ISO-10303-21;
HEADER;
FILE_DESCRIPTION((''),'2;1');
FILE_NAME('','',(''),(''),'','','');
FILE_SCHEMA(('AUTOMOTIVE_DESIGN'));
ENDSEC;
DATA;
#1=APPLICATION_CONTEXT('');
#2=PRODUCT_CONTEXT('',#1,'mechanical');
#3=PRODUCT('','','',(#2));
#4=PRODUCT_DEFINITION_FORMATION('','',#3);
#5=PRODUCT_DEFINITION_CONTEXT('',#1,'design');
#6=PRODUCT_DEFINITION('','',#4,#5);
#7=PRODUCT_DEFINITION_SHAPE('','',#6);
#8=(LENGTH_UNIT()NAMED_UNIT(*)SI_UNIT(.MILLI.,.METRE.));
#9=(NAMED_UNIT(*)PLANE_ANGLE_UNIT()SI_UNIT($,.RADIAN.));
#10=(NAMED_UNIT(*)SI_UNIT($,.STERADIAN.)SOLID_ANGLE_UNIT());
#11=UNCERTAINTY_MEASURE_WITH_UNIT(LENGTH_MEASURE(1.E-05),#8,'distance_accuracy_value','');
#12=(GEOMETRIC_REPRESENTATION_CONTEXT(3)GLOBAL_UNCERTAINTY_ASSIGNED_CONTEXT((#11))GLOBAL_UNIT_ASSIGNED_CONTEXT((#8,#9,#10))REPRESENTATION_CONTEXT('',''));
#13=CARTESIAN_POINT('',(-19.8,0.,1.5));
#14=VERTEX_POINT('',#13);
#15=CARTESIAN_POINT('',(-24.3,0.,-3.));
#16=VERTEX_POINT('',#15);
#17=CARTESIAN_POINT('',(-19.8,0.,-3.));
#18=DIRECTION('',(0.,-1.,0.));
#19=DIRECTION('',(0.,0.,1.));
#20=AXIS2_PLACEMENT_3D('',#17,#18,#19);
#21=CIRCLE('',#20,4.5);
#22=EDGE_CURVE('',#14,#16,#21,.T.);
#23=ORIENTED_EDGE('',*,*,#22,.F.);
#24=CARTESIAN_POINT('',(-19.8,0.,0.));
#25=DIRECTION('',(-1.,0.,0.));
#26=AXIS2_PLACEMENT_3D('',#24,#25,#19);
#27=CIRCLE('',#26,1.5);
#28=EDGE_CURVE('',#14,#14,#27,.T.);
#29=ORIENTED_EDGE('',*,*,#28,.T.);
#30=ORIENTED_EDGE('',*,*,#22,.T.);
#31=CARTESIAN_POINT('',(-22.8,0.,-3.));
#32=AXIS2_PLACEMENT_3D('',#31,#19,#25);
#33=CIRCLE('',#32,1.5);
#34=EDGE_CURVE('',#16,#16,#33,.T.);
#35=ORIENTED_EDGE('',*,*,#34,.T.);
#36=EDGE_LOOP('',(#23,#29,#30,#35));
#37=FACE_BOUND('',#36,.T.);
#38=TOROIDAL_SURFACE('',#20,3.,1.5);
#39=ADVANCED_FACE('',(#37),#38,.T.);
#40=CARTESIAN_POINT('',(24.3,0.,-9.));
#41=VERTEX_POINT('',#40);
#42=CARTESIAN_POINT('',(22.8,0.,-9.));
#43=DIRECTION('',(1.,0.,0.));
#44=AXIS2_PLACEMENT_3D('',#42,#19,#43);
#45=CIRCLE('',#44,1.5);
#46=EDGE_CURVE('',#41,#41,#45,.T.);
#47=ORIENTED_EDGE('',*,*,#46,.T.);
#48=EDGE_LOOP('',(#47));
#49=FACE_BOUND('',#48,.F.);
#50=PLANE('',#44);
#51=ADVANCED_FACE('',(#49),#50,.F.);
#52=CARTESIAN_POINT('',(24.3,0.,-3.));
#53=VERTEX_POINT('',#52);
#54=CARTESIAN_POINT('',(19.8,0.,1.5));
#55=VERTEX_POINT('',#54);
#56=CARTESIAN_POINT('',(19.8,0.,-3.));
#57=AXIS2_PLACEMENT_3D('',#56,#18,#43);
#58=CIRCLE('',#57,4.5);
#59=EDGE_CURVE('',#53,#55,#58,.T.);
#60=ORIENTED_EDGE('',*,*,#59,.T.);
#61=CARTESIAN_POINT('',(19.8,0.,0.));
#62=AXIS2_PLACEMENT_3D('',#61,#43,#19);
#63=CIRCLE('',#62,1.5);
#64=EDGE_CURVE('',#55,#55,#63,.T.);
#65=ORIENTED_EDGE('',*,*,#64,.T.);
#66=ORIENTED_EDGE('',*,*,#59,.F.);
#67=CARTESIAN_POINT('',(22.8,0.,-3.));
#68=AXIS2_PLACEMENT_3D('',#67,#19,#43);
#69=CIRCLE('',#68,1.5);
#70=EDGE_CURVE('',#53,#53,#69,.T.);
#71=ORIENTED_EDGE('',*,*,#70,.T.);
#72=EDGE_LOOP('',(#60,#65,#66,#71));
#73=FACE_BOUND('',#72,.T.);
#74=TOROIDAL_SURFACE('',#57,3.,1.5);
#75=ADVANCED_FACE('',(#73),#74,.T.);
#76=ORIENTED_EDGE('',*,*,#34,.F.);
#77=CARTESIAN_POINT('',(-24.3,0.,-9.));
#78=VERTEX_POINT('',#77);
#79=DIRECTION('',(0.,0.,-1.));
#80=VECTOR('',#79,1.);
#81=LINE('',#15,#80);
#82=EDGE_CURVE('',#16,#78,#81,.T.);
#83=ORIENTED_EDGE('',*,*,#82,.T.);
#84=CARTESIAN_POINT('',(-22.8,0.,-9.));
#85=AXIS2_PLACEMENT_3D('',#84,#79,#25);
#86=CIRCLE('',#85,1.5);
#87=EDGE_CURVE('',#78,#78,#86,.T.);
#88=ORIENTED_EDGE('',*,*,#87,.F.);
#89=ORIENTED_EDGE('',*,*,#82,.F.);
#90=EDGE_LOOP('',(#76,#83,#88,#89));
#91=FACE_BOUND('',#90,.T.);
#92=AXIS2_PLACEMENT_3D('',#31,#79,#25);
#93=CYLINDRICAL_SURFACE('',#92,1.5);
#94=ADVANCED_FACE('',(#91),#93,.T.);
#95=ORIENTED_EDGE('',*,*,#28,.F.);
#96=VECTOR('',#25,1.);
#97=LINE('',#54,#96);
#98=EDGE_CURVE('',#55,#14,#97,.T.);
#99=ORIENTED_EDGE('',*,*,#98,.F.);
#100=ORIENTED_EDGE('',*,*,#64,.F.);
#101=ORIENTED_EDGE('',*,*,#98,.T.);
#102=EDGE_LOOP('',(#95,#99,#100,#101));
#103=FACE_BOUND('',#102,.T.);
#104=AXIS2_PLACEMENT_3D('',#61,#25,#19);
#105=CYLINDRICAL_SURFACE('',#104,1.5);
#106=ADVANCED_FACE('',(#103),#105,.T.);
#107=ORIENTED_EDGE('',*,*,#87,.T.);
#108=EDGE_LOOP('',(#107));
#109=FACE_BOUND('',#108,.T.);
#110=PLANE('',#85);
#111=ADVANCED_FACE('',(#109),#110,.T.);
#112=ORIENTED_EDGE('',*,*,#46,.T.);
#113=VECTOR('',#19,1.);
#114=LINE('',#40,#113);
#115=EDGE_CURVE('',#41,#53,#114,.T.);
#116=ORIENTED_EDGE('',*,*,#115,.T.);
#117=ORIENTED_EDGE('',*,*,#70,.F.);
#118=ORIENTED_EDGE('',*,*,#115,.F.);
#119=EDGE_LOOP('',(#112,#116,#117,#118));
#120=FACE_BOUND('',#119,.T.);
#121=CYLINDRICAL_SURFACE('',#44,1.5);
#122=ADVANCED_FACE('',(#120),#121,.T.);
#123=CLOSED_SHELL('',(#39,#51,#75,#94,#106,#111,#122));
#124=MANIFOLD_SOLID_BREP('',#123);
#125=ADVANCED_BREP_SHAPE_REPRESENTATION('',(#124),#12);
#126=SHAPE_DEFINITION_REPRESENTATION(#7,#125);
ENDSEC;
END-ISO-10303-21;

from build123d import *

# Parameters (mm, degrees)
F2_R = 1.5


with BuildPart() as f3:
    # F3: sweep along a path in F0
    with BuildLine(Plane.XZ) as f3_path:
        Line((22.8, -9), (22.8, -3))
        ThreePointArc((22.8, -3), (21.9213203436, -0.8786796564), (19.8, 0))
        Line((19.8, 0), (-19.8, 0))
        ThreePointArc((-19.8, 0), (-21.9213203436, -0.8786796564), (-22.8, -3))
        Line((-22.8, -3), (-22.8, -9))
    # F2 (on offset) → F3 (sweep)
    with BuildSketch(Plane.XY.offset(-9)):
        with Locations((22.8, 0)):
            Circle(F2_R)
    sweep(path=f3_path.line)


solid = f3.part
